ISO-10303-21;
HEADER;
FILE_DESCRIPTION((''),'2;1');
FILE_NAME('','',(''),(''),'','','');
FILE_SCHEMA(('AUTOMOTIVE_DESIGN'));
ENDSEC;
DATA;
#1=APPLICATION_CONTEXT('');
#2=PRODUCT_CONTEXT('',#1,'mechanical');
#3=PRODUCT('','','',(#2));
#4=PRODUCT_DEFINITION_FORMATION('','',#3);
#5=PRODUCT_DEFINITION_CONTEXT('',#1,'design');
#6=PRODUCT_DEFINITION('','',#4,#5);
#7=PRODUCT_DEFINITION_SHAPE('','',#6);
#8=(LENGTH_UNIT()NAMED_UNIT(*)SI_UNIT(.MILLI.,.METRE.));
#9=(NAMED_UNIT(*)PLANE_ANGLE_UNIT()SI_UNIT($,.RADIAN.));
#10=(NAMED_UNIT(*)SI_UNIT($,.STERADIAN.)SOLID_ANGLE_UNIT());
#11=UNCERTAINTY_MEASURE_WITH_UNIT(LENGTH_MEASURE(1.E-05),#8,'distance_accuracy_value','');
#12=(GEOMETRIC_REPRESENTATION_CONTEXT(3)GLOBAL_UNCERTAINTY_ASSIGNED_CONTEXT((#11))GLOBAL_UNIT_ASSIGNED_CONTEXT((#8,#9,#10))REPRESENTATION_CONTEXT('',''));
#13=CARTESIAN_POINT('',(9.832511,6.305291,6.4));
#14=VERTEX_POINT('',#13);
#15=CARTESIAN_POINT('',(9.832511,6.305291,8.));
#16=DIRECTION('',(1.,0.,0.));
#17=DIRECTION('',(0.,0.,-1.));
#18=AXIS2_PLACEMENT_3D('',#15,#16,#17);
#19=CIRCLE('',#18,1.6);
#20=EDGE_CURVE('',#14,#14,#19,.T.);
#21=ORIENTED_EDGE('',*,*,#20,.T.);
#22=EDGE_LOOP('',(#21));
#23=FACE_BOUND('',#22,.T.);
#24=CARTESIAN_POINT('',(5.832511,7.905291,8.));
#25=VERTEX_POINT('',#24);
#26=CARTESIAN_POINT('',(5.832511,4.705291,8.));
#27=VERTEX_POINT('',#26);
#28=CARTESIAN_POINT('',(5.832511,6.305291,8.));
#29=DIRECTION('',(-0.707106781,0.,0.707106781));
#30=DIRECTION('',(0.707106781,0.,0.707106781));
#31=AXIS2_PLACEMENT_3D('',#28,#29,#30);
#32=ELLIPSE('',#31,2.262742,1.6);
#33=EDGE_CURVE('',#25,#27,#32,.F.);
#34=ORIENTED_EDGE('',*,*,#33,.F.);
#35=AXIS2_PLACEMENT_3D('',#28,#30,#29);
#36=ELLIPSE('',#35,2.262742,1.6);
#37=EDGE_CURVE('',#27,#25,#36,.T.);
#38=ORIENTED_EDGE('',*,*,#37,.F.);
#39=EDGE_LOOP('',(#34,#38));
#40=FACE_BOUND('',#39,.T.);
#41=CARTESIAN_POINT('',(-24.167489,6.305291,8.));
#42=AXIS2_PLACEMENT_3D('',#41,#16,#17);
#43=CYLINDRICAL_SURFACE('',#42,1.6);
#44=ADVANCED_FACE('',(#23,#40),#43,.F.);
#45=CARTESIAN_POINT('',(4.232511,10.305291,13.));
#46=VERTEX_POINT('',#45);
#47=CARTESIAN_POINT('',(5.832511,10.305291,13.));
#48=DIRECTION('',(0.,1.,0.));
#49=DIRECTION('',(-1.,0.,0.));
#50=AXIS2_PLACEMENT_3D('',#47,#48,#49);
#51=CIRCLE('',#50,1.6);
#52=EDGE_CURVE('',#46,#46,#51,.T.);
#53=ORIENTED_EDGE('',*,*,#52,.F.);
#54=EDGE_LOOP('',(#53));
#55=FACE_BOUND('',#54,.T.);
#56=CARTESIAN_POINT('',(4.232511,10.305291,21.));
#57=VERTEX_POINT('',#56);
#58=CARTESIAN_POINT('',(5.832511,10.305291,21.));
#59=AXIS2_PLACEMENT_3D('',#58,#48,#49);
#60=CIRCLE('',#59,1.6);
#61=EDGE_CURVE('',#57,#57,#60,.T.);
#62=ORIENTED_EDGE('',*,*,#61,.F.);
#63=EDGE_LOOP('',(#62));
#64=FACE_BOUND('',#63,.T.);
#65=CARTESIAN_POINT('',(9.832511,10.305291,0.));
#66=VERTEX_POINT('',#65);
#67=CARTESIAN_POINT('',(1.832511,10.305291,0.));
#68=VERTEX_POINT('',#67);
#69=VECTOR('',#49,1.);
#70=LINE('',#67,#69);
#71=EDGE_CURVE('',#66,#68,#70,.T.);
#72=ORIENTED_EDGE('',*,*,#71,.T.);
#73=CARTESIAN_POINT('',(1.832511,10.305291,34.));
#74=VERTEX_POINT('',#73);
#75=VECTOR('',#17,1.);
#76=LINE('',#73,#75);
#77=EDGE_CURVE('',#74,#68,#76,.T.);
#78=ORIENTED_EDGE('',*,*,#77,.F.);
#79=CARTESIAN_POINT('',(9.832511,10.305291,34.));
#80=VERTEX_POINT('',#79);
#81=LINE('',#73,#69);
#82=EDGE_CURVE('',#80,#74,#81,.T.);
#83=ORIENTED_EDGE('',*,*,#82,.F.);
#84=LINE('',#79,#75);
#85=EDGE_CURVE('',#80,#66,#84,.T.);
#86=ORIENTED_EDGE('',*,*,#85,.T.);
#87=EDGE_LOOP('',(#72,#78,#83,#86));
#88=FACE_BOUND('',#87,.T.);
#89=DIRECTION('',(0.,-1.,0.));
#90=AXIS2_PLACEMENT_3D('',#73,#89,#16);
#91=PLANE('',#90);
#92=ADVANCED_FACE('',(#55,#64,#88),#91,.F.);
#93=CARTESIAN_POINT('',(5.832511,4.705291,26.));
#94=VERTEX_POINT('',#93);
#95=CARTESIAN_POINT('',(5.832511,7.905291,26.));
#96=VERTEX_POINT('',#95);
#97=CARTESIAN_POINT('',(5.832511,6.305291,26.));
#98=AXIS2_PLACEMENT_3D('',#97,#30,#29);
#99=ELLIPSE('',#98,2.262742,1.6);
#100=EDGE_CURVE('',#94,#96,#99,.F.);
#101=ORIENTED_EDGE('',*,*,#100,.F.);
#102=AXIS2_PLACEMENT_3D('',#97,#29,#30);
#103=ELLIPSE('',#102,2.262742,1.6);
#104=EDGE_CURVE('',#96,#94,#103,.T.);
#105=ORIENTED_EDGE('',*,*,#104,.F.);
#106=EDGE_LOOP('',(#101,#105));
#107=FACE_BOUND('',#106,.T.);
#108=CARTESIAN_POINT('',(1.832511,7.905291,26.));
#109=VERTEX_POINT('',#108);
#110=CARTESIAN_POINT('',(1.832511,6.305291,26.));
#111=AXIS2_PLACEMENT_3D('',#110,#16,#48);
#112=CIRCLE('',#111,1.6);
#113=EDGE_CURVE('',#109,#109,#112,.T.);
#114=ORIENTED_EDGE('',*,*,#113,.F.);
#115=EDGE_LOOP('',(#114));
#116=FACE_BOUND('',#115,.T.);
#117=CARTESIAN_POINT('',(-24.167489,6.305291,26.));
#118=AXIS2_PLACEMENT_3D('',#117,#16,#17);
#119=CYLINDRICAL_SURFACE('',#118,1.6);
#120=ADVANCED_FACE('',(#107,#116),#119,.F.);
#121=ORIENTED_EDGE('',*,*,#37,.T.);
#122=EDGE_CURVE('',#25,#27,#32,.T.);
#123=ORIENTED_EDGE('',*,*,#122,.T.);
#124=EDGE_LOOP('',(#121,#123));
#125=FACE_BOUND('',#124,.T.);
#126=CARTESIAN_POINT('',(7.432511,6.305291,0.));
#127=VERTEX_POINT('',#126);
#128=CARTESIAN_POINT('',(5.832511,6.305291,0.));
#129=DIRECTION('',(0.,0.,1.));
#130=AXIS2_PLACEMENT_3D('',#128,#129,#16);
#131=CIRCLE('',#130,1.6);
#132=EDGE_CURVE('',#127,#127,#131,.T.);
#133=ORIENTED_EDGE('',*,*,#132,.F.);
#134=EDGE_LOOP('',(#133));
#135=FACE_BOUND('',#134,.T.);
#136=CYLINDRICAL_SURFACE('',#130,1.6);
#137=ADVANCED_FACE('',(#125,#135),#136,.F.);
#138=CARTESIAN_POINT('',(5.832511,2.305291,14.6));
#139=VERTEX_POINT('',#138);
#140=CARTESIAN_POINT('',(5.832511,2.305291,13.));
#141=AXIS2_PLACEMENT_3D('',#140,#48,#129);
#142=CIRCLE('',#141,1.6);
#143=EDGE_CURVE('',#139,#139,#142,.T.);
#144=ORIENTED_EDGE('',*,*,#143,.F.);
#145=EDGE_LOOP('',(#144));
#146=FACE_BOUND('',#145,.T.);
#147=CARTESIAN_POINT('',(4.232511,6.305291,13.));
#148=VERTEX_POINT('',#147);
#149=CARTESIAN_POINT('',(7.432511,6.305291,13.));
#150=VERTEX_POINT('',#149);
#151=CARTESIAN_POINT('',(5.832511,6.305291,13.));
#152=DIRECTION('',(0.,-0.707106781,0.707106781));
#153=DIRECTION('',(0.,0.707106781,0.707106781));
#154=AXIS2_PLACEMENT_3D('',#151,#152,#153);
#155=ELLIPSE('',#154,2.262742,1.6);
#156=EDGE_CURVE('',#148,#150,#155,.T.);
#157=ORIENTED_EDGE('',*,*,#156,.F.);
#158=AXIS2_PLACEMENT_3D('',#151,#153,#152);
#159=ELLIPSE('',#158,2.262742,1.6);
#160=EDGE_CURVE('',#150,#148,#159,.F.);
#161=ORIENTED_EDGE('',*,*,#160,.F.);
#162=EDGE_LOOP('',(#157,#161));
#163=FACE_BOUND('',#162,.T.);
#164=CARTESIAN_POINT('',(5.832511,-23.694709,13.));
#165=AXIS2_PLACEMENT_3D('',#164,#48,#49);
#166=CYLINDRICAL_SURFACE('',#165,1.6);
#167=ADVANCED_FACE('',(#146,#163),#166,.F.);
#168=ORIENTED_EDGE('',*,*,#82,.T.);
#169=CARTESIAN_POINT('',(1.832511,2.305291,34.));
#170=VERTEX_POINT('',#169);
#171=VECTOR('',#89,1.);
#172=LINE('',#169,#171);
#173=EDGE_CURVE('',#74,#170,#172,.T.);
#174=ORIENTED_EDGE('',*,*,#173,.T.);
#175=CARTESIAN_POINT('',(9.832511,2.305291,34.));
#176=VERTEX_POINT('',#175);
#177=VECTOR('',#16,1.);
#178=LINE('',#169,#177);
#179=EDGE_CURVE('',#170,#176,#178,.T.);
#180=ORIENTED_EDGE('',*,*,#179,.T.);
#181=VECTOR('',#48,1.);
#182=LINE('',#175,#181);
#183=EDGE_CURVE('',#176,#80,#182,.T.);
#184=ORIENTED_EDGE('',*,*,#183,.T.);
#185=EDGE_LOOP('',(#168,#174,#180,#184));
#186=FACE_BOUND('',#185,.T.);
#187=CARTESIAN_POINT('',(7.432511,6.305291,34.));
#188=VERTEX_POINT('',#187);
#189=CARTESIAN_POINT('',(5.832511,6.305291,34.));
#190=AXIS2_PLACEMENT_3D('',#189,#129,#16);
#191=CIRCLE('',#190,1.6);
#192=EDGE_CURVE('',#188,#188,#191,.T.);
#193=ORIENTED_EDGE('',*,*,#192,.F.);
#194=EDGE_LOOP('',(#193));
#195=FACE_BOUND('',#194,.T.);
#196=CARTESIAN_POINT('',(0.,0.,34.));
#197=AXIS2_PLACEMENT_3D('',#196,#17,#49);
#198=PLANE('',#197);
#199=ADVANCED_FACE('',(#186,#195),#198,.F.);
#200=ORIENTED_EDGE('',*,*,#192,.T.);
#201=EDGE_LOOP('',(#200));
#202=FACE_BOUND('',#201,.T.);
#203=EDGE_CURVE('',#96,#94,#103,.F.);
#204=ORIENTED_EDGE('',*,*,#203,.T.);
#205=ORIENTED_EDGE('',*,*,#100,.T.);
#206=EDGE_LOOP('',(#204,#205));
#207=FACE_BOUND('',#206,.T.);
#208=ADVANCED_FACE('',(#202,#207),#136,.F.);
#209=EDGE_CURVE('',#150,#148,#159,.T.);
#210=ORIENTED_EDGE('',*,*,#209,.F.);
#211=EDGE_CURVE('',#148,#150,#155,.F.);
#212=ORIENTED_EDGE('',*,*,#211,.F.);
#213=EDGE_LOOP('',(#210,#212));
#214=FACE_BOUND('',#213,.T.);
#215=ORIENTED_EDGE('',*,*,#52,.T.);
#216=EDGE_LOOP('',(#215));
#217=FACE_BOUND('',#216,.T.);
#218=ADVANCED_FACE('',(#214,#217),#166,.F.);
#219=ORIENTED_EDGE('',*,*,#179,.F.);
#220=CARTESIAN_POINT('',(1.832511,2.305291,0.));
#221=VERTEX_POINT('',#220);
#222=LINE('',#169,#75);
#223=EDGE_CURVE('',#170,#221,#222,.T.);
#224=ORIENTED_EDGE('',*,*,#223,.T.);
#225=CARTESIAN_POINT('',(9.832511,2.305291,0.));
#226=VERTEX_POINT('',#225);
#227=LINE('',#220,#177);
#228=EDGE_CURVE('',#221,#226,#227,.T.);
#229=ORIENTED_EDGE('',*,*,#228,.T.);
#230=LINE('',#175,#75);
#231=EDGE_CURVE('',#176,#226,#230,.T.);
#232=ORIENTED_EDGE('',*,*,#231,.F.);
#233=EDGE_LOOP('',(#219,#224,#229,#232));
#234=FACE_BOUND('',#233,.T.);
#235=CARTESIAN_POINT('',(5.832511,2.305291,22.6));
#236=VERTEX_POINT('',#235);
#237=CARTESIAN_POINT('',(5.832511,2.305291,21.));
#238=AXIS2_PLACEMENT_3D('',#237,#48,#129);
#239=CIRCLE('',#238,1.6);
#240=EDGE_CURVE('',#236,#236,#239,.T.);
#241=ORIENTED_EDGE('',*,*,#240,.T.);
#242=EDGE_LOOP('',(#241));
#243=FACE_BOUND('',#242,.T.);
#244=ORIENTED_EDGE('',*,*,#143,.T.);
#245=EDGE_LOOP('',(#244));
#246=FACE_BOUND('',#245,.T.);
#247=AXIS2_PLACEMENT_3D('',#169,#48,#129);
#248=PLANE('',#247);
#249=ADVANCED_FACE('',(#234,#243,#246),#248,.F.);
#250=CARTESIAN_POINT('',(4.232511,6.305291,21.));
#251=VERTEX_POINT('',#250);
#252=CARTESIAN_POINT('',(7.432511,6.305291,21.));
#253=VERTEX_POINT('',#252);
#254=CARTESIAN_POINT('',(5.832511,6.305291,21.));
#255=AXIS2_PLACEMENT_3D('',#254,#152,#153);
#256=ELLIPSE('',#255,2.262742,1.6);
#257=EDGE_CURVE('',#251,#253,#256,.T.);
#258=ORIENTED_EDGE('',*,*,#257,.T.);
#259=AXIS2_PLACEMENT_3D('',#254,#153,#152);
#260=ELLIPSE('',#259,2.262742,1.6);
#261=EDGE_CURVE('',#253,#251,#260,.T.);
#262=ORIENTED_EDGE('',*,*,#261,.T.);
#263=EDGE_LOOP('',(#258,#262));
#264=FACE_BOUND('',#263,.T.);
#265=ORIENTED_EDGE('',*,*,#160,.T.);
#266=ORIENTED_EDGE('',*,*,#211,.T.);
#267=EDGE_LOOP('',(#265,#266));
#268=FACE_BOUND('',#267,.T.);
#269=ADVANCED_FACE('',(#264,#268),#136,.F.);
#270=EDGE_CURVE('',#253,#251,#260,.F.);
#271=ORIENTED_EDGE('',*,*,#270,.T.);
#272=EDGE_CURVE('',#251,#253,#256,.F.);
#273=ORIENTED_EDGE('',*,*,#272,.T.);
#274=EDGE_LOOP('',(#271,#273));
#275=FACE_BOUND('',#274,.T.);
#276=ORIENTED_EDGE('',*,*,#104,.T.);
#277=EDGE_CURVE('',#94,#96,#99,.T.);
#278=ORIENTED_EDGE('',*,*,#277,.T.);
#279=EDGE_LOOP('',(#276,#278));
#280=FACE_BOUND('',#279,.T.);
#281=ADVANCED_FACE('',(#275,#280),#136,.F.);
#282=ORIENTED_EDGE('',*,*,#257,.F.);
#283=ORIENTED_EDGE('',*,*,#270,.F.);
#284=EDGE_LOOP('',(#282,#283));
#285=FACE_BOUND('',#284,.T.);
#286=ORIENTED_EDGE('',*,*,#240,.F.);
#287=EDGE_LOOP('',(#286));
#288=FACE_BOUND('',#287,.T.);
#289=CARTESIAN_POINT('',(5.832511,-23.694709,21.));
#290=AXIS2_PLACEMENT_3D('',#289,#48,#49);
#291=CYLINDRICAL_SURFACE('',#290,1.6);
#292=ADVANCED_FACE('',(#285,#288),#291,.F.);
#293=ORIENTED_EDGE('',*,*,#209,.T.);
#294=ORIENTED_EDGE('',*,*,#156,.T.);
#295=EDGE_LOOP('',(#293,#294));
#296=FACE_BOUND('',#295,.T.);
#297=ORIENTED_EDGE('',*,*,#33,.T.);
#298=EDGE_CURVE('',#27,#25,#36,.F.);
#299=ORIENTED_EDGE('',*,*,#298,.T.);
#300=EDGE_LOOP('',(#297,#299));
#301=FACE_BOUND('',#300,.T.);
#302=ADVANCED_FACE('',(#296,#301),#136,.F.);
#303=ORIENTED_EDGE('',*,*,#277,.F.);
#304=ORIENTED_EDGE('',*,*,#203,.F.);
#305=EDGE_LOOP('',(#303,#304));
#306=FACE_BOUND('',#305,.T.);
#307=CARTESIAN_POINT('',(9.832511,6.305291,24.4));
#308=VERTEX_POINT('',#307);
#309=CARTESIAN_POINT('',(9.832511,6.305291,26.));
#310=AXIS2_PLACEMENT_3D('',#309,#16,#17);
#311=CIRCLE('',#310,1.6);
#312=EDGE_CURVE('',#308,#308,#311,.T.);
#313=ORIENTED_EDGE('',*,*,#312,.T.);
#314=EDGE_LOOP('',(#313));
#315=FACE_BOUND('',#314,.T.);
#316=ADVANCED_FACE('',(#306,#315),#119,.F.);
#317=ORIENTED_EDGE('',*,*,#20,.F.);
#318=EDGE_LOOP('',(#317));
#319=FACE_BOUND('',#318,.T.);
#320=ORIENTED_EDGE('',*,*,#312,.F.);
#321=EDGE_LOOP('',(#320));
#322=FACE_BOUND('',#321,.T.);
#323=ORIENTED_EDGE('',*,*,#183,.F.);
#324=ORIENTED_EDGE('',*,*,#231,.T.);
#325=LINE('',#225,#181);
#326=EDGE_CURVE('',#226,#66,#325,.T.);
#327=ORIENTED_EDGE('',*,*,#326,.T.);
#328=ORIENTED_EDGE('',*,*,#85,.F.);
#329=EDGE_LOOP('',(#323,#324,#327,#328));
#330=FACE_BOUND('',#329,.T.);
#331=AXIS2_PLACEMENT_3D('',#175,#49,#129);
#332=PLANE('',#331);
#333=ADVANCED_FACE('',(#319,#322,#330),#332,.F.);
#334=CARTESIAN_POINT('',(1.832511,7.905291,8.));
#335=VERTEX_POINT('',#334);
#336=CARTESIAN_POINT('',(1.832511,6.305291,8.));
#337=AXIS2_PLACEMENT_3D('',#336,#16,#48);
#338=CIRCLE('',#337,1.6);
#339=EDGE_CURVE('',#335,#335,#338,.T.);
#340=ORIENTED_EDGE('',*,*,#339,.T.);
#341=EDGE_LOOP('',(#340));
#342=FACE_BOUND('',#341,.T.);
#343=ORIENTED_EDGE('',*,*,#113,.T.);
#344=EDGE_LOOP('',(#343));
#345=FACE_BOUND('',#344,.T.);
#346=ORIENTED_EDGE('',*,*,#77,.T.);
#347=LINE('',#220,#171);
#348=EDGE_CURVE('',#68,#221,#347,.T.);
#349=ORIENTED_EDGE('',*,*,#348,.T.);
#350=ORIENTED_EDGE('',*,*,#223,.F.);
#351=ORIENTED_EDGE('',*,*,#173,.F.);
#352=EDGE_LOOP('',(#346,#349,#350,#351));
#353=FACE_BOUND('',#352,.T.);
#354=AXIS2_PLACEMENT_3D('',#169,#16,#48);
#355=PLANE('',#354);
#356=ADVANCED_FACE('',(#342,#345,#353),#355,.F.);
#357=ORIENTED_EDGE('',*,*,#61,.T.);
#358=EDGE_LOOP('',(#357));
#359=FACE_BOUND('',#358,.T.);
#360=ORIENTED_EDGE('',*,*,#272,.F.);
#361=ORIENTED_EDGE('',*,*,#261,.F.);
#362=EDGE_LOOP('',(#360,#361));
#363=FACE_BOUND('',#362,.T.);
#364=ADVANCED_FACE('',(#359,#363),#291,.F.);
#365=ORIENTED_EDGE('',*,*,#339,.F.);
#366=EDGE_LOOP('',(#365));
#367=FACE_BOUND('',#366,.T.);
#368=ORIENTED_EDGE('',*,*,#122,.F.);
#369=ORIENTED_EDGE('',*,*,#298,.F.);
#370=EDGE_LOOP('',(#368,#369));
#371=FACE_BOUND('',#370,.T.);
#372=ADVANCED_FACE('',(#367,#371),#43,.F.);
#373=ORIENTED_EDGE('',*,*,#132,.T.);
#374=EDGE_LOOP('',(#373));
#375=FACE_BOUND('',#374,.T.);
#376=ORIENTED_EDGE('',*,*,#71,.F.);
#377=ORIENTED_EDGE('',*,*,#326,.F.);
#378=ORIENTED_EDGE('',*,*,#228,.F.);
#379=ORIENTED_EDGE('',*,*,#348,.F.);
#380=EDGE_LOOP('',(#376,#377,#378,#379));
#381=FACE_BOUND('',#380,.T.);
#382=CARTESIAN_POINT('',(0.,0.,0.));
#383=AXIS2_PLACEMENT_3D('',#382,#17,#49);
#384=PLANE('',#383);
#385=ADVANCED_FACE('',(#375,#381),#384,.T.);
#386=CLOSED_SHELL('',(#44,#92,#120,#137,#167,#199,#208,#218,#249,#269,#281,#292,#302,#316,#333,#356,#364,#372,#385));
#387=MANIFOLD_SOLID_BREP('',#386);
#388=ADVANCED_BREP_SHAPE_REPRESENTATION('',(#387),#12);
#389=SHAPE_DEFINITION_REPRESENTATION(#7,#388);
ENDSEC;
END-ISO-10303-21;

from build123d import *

# Parameters (mm, degrees)
SKETCH_1_W          = 8
SKETCH_1_H          = 8
EXTRUDE_1_DEPTH     = 34
SKETCH_2_R          = 1.6
CUT_EXTRUDE_1_DEPTH = 35
SKETCH_3_R          = 1.6
CUT_EXTRUDE_2_DEPTH = 34
SKETCH_4_R          = 1.6
CUT_EXTRUDE_3_DEPTH = 34


with BuildPart() as part:
    # 草图1 → 凸台-拉伸1 (new body)
    with BuildSketch(Plane.XY):
        with Locations((5.832511347, 6.305290853)):
            Rectangle(SKETCH_1_W, SKETCH_1_H)
    extrude(amount=EXTRUDE_1_DEPTH)

    # 草图2 → 切除-拉伸1 (cut, through all)
    with BuildSketch(Plane.XY.offset(34)):
        with Locations((5.832511347, 6.305290853)):
            Circle(SKETCH_2_R)
    extrude(amount=-CUT_EXTRUDE_1_DEPTH, mode=Mode.SUBTRACT)

    # 草图3 → 切除-拉伸2 (cut)
    with BuildSketch(Plane(origin=(0, 10.305290853, 0), x_dir=(1, 0, 0), z_dir=(0, 1, 0))):
        with Locations((5.832511347, -13)):
            Circle(SKETCH_3_R)
        with Locations((5.832511347, -21)):
            Circle(SKETCH_3_R)
    extrude(amount=-CUT_EXTRUDE_2_DEPTH, mode=Mode.SUBTRACT)

    # 草图4 → 切除-拉伸3 (cut)
    with BuildSketch(Plane(origin=(9.832511347, 0, 0), x_dir=(0, 0, -1), z_dir=(1, 0, 0))):
        with Locations((-26, 6.305290853)):
            Circle(SKETCH_4_R)
        with Locations((-8, 6.305290853)):
            Circle(SKETCH_4_R)
    extrude(amount=-CUT_EXTRUDE_3_DEPTH, mode=Mode.SUBTRACT)


solid = part.part
